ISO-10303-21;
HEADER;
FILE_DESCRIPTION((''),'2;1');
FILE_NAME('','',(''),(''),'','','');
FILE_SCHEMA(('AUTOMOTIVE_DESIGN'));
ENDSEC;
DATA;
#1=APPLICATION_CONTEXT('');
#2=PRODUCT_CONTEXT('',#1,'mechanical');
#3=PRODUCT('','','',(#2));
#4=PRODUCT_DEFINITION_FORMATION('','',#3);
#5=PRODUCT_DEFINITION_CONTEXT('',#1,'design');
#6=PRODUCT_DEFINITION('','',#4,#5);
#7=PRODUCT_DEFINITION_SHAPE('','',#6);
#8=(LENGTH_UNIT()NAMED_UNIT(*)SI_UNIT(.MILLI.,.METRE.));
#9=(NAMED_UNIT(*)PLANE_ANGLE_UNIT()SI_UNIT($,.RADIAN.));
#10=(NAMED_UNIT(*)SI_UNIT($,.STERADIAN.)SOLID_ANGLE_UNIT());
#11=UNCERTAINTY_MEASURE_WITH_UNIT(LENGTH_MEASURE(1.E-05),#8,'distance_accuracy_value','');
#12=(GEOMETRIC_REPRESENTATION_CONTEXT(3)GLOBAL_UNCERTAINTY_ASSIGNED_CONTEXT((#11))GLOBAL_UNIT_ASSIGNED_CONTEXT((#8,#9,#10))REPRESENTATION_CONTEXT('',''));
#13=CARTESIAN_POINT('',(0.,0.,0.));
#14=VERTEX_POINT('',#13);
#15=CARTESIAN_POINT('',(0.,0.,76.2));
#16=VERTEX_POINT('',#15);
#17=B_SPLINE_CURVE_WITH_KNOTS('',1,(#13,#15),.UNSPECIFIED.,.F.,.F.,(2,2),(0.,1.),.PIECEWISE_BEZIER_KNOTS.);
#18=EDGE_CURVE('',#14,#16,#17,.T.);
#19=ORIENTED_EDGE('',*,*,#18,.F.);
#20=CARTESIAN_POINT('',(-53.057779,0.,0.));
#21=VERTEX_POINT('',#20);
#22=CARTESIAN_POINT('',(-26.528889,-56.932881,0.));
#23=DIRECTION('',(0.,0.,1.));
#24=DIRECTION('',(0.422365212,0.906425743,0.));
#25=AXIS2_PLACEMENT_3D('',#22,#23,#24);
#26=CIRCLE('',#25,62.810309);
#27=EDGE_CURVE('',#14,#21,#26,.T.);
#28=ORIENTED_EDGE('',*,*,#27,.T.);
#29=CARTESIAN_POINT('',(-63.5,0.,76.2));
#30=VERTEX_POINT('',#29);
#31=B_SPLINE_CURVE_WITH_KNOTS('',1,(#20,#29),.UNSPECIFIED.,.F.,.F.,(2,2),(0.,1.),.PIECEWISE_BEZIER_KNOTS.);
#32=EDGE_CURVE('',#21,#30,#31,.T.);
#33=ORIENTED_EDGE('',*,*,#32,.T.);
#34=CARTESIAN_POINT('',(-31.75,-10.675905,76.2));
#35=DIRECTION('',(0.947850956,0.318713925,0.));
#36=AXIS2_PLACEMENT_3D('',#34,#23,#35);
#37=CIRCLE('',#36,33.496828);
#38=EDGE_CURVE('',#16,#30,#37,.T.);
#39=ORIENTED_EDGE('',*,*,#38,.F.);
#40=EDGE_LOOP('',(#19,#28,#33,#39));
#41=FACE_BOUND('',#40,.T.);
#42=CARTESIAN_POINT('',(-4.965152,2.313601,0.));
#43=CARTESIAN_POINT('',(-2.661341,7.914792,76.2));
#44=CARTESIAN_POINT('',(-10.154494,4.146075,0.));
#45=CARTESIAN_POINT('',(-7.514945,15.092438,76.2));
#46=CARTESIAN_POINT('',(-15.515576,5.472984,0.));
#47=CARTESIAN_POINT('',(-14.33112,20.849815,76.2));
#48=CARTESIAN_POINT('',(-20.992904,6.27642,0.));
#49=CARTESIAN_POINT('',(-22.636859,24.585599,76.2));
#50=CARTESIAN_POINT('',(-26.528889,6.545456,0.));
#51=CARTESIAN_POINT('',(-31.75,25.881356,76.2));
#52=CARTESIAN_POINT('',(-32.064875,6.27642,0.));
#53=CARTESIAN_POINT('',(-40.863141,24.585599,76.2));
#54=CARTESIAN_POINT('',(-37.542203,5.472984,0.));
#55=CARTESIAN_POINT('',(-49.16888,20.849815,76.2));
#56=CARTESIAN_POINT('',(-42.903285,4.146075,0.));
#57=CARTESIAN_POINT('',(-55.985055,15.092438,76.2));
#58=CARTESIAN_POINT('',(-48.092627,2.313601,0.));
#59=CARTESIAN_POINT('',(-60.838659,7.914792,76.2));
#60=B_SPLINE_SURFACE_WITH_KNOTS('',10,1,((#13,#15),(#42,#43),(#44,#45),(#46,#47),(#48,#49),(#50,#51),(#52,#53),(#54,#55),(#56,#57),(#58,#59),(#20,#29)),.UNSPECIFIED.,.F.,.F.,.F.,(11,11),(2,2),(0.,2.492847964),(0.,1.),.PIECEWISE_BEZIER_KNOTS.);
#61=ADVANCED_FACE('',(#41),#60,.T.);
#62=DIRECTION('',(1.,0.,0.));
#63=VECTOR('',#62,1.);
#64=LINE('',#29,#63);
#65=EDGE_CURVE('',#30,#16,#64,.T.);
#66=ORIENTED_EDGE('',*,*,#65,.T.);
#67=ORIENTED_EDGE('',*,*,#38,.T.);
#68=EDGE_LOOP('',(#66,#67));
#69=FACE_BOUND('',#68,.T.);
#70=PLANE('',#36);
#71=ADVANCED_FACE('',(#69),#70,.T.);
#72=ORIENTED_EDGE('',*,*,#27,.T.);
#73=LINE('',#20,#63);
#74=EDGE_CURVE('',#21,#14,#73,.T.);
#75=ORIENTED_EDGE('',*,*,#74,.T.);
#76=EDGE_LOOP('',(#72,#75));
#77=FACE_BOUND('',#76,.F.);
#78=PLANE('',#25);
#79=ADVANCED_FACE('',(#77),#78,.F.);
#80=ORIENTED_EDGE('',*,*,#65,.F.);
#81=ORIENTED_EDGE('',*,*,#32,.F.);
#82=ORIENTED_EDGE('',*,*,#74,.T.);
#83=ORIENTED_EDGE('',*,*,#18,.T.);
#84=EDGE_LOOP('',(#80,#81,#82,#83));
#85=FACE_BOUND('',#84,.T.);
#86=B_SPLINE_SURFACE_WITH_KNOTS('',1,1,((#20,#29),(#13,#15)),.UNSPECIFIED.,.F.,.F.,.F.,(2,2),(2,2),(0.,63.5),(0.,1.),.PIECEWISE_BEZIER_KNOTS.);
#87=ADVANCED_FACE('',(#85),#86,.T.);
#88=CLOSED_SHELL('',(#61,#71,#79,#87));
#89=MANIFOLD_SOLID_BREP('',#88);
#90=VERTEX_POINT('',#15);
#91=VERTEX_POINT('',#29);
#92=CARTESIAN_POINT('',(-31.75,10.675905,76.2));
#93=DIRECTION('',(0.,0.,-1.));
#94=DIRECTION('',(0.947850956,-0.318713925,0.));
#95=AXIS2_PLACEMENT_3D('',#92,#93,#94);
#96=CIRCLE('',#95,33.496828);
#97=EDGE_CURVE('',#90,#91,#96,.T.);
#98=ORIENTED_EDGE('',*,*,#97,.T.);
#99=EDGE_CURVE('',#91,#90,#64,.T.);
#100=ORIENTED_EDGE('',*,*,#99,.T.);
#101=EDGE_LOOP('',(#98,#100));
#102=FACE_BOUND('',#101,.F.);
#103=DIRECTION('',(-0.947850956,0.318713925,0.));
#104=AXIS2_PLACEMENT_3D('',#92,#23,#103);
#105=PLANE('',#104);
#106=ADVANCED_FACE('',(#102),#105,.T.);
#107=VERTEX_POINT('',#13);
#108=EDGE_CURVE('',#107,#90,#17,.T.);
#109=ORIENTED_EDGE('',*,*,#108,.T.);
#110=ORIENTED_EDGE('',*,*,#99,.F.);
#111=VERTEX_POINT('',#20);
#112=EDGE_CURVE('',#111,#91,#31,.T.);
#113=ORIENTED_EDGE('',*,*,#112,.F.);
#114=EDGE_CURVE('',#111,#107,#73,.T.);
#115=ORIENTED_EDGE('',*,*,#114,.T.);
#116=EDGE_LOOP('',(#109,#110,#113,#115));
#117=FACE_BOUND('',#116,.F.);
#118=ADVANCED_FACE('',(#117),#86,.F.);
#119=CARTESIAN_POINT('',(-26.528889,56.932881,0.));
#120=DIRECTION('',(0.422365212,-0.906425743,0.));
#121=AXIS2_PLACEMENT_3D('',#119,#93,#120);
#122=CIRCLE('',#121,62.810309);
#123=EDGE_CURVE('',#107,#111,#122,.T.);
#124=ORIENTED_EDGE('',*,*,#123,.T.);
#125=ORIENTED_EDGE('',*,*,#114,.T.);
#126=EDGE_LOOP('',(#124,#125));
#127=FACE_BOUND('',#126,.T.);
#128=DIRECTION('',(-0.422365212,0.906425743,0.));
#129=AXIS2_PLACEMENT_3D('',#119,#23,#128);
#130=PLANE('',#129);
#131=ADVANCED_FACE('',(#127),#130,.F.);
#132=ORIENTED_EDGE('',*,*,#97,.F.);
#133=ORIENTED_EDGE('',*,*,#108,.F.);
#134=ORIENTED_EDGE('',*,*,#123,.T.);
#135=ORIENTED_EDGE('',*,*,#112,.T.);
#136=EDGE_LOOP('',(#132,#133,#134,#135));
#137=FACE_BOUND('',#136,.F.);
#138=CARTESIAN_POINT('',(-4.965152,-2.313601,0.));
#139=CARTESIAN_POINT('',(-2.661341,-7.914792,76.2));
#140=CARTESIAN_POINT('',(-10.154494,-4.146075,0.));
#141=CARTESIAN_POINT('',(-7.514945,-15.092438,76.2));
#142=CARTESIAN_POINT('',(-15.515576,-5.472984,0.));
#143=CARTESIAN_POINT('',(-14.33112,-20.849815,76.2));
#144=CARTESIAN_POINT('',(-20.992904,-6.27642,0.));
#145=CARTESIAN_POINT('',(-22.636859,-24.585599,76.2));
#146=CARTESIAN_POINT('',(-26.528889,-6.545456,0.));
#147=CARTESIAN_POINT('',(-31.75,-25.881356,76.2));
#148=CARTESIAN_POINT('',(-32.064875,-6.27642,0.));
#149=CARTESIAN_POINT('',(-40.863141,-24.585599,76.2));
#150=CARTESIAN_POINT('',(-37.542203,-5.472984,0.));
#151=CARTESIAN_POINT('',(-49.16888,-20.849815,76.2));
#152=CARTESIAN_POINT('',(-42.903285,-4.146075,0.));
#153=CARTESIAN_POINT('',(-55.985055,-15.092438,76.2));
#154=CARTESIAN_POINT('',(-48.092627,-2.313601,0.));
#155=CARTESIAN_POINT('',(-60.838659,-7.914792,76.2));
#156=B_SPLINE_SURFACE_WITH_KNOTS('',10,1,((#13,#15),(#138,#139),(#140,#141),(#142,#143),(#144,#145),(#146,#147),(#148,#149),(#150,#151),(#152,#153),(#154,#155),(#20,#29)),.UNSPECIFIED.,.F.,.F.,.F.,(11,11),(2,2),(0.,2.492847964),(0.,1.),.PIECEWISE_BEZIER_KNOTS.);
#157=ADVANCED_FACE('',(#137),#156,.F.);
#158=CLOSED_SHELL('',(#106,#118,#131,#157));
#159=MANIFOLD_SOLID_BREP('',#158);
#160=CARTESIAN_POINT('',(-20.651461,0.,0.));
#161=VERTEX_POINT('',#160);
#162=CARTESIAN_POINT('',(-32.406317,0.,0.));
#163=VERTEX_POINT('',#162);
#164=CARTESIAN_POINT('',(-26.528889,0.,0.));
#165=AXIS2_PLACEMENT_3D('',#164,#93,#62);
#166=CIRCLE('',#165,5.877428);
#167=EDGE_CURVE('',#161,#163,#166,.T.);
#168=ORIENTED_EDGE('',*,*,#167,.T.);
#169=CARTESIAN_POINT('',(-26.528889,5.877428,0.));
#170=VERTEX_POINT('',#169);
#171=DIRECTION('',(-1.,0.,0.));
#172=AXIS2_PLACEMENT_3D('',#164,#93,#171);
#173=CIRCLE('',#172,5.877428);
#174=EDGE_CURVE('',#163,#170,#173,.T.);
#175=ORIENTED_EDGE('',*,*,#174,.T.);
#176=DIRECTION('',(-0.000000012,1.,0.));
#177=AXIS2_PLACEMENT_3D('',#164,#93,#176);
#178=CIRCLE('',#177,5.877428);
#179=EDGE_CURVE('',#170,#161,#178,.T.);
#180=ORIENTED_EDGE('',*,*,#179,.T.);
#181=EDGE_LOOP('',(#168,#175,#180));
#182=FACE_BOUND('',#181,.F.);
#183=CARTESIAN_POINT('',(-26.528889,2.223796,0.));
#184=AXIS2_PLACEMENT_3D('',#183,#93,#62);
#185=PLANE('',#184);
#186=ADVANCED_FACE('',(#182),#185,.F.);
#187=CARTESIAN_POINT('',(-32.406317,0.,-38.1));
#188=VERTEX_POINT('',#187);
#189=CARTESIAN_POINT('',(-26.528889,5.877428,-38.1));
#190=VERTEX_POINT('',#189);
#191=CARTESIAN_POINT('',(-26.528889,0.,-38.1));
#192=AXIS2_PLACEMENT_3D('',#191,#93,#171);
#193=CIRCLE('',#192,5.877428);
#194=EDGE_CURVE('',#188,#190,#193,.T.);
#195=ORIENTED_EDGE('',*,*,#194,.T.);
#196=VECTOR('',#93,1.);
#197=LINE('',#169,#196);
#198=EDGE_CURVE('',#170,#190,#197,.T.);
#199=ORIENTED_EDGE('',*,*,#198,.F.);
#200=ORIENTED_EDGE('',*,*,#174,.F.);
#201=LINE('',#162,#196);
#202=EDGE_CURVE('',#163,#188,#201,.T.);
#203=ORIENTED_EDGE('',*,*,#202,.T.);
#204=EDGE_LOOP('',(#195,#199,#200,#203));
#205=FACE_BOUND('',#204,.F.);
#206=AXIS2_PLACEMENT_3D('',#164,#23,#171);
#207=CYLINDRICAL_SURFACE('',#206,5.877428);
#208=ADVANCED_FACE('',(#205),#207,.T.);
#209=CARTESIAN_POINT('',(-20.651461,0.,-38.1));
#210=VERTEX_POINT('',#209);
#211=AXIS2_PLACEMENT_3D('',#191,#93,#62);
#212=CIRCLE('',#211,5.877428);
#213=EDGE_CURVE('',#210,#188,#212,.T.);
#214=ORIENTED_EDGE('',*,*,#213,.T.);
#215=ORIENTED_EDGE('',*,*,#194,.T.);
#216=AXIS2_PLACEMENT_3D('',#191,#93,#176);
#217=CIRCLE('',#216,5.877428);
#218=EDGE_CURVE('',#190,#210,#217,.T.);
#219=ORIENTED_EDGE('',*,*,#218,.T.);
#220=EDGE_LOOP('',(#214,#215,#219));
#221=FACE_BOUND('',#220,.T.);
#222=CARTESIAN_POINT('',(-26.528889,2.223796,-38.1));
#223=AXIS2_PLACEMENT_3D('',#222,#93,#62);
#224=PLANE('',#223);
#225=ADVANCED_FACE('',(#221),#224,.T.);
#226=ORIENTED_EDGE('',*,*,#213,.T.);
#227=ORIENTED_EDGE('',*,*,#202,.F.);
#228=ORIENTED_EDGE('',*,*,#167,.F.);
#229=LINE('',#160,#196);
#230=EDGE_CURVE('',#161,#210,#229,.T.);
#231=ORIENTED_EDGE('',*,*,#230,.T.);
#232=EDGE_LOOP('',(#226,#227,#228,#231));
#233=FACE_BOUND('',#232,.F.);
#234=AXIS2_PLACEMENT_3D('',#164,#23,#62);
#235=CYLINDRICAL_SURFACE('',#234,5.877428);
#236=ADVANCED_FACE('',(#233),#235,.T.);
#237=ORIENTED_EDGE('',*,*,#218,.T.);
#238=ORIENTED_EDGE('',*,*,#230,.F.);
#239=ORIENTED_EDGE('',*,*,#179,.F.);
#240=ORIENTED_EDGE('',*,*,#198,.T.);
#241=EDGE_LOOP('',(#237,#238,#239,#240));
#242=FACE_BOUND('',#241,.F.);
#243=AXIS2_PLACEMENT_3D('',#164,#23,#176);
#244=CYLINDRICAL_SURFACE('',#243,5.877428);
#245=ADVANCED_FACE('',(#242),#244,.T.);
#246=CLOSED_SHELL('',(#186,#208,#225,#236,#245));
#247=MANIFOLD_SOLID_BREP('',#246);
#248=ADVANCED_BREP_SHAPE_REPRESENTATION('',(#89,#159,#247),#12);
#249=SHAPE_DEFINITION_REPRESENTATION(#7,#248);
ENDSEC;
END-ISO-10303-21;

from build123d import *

# Parameters (mm, degrees)
F6_DEPTH = 38.1
F7_W     = 46.2397178635
F7_H     = 23.6593596637
F8_DEPTH = 26.035


with BuildPart() as f3:
    # F0 (on Top) → F3 section 0
    with BuildSketch(Plane.XY):
        with BuildLine():
            Line((-53.0577786267, 0), (0, 0))
            ThreePointArc((0, 0), (-26.5288893133, 5.8774279625), (-53.0577786267, 0))
        make_face()
    # F2 (on offset) → F3 section 1
    with BuildSketch(Plane.XY.offset(76.2)):
        with BuildLine():
            ThreePointArc((0, 0), (-31.75, 22.8209221644), (-63.5, 0))
            Line((-63.5, 0), (0, 0))
        make_face()
    loft()


with BuildPart() as f4_1:
    # F4: instance of F3
    add(f3.part.mirror(Plane.XZ))


with BuildPart() as f6:
    # F5 (on face) → F6 (new body)
    with BuildSketch(Plane(origin=(0, 0, 0), x_dir=(1, 0, 0), z_dir=(0, 0, -1))):
        with BuildLine():
            ThreePointArc((-26.5288893829, -5.8774279623), (-22.3729201699, -4.1559691926), (-20.6514613511, 0))
            Line((-20.6514613511, 0), (-32.4063172756, 0))
            ThreePointArc((-32.4063172756, 0), (-30.684858506, -4.1559691435), (-26.5288893829, -5.8774279623))
        make_face()
        with BuildLine():
            Line((-32.4063172756, 0), (-20.6514613511, 0))
            ThreePointArc((-20.6514613511, 0), (-26.5288893133, 5.8774279623), (-32.4063172756, 0))
        make_face()
    extrude(amount=F6_DEPTH)


with BuildPart() as f8:
    # F7 (on Front) → F8 (new body)
    with BuildSketch(Plane.XZ):
        with Locations((37.5585299917, 11.8296798319)):
            Rectangle(F7_W, F7_H)
    extrude(amount=F8_DEPTH)


solid = Compound([f3.part, f4_1.part, f6.part])
